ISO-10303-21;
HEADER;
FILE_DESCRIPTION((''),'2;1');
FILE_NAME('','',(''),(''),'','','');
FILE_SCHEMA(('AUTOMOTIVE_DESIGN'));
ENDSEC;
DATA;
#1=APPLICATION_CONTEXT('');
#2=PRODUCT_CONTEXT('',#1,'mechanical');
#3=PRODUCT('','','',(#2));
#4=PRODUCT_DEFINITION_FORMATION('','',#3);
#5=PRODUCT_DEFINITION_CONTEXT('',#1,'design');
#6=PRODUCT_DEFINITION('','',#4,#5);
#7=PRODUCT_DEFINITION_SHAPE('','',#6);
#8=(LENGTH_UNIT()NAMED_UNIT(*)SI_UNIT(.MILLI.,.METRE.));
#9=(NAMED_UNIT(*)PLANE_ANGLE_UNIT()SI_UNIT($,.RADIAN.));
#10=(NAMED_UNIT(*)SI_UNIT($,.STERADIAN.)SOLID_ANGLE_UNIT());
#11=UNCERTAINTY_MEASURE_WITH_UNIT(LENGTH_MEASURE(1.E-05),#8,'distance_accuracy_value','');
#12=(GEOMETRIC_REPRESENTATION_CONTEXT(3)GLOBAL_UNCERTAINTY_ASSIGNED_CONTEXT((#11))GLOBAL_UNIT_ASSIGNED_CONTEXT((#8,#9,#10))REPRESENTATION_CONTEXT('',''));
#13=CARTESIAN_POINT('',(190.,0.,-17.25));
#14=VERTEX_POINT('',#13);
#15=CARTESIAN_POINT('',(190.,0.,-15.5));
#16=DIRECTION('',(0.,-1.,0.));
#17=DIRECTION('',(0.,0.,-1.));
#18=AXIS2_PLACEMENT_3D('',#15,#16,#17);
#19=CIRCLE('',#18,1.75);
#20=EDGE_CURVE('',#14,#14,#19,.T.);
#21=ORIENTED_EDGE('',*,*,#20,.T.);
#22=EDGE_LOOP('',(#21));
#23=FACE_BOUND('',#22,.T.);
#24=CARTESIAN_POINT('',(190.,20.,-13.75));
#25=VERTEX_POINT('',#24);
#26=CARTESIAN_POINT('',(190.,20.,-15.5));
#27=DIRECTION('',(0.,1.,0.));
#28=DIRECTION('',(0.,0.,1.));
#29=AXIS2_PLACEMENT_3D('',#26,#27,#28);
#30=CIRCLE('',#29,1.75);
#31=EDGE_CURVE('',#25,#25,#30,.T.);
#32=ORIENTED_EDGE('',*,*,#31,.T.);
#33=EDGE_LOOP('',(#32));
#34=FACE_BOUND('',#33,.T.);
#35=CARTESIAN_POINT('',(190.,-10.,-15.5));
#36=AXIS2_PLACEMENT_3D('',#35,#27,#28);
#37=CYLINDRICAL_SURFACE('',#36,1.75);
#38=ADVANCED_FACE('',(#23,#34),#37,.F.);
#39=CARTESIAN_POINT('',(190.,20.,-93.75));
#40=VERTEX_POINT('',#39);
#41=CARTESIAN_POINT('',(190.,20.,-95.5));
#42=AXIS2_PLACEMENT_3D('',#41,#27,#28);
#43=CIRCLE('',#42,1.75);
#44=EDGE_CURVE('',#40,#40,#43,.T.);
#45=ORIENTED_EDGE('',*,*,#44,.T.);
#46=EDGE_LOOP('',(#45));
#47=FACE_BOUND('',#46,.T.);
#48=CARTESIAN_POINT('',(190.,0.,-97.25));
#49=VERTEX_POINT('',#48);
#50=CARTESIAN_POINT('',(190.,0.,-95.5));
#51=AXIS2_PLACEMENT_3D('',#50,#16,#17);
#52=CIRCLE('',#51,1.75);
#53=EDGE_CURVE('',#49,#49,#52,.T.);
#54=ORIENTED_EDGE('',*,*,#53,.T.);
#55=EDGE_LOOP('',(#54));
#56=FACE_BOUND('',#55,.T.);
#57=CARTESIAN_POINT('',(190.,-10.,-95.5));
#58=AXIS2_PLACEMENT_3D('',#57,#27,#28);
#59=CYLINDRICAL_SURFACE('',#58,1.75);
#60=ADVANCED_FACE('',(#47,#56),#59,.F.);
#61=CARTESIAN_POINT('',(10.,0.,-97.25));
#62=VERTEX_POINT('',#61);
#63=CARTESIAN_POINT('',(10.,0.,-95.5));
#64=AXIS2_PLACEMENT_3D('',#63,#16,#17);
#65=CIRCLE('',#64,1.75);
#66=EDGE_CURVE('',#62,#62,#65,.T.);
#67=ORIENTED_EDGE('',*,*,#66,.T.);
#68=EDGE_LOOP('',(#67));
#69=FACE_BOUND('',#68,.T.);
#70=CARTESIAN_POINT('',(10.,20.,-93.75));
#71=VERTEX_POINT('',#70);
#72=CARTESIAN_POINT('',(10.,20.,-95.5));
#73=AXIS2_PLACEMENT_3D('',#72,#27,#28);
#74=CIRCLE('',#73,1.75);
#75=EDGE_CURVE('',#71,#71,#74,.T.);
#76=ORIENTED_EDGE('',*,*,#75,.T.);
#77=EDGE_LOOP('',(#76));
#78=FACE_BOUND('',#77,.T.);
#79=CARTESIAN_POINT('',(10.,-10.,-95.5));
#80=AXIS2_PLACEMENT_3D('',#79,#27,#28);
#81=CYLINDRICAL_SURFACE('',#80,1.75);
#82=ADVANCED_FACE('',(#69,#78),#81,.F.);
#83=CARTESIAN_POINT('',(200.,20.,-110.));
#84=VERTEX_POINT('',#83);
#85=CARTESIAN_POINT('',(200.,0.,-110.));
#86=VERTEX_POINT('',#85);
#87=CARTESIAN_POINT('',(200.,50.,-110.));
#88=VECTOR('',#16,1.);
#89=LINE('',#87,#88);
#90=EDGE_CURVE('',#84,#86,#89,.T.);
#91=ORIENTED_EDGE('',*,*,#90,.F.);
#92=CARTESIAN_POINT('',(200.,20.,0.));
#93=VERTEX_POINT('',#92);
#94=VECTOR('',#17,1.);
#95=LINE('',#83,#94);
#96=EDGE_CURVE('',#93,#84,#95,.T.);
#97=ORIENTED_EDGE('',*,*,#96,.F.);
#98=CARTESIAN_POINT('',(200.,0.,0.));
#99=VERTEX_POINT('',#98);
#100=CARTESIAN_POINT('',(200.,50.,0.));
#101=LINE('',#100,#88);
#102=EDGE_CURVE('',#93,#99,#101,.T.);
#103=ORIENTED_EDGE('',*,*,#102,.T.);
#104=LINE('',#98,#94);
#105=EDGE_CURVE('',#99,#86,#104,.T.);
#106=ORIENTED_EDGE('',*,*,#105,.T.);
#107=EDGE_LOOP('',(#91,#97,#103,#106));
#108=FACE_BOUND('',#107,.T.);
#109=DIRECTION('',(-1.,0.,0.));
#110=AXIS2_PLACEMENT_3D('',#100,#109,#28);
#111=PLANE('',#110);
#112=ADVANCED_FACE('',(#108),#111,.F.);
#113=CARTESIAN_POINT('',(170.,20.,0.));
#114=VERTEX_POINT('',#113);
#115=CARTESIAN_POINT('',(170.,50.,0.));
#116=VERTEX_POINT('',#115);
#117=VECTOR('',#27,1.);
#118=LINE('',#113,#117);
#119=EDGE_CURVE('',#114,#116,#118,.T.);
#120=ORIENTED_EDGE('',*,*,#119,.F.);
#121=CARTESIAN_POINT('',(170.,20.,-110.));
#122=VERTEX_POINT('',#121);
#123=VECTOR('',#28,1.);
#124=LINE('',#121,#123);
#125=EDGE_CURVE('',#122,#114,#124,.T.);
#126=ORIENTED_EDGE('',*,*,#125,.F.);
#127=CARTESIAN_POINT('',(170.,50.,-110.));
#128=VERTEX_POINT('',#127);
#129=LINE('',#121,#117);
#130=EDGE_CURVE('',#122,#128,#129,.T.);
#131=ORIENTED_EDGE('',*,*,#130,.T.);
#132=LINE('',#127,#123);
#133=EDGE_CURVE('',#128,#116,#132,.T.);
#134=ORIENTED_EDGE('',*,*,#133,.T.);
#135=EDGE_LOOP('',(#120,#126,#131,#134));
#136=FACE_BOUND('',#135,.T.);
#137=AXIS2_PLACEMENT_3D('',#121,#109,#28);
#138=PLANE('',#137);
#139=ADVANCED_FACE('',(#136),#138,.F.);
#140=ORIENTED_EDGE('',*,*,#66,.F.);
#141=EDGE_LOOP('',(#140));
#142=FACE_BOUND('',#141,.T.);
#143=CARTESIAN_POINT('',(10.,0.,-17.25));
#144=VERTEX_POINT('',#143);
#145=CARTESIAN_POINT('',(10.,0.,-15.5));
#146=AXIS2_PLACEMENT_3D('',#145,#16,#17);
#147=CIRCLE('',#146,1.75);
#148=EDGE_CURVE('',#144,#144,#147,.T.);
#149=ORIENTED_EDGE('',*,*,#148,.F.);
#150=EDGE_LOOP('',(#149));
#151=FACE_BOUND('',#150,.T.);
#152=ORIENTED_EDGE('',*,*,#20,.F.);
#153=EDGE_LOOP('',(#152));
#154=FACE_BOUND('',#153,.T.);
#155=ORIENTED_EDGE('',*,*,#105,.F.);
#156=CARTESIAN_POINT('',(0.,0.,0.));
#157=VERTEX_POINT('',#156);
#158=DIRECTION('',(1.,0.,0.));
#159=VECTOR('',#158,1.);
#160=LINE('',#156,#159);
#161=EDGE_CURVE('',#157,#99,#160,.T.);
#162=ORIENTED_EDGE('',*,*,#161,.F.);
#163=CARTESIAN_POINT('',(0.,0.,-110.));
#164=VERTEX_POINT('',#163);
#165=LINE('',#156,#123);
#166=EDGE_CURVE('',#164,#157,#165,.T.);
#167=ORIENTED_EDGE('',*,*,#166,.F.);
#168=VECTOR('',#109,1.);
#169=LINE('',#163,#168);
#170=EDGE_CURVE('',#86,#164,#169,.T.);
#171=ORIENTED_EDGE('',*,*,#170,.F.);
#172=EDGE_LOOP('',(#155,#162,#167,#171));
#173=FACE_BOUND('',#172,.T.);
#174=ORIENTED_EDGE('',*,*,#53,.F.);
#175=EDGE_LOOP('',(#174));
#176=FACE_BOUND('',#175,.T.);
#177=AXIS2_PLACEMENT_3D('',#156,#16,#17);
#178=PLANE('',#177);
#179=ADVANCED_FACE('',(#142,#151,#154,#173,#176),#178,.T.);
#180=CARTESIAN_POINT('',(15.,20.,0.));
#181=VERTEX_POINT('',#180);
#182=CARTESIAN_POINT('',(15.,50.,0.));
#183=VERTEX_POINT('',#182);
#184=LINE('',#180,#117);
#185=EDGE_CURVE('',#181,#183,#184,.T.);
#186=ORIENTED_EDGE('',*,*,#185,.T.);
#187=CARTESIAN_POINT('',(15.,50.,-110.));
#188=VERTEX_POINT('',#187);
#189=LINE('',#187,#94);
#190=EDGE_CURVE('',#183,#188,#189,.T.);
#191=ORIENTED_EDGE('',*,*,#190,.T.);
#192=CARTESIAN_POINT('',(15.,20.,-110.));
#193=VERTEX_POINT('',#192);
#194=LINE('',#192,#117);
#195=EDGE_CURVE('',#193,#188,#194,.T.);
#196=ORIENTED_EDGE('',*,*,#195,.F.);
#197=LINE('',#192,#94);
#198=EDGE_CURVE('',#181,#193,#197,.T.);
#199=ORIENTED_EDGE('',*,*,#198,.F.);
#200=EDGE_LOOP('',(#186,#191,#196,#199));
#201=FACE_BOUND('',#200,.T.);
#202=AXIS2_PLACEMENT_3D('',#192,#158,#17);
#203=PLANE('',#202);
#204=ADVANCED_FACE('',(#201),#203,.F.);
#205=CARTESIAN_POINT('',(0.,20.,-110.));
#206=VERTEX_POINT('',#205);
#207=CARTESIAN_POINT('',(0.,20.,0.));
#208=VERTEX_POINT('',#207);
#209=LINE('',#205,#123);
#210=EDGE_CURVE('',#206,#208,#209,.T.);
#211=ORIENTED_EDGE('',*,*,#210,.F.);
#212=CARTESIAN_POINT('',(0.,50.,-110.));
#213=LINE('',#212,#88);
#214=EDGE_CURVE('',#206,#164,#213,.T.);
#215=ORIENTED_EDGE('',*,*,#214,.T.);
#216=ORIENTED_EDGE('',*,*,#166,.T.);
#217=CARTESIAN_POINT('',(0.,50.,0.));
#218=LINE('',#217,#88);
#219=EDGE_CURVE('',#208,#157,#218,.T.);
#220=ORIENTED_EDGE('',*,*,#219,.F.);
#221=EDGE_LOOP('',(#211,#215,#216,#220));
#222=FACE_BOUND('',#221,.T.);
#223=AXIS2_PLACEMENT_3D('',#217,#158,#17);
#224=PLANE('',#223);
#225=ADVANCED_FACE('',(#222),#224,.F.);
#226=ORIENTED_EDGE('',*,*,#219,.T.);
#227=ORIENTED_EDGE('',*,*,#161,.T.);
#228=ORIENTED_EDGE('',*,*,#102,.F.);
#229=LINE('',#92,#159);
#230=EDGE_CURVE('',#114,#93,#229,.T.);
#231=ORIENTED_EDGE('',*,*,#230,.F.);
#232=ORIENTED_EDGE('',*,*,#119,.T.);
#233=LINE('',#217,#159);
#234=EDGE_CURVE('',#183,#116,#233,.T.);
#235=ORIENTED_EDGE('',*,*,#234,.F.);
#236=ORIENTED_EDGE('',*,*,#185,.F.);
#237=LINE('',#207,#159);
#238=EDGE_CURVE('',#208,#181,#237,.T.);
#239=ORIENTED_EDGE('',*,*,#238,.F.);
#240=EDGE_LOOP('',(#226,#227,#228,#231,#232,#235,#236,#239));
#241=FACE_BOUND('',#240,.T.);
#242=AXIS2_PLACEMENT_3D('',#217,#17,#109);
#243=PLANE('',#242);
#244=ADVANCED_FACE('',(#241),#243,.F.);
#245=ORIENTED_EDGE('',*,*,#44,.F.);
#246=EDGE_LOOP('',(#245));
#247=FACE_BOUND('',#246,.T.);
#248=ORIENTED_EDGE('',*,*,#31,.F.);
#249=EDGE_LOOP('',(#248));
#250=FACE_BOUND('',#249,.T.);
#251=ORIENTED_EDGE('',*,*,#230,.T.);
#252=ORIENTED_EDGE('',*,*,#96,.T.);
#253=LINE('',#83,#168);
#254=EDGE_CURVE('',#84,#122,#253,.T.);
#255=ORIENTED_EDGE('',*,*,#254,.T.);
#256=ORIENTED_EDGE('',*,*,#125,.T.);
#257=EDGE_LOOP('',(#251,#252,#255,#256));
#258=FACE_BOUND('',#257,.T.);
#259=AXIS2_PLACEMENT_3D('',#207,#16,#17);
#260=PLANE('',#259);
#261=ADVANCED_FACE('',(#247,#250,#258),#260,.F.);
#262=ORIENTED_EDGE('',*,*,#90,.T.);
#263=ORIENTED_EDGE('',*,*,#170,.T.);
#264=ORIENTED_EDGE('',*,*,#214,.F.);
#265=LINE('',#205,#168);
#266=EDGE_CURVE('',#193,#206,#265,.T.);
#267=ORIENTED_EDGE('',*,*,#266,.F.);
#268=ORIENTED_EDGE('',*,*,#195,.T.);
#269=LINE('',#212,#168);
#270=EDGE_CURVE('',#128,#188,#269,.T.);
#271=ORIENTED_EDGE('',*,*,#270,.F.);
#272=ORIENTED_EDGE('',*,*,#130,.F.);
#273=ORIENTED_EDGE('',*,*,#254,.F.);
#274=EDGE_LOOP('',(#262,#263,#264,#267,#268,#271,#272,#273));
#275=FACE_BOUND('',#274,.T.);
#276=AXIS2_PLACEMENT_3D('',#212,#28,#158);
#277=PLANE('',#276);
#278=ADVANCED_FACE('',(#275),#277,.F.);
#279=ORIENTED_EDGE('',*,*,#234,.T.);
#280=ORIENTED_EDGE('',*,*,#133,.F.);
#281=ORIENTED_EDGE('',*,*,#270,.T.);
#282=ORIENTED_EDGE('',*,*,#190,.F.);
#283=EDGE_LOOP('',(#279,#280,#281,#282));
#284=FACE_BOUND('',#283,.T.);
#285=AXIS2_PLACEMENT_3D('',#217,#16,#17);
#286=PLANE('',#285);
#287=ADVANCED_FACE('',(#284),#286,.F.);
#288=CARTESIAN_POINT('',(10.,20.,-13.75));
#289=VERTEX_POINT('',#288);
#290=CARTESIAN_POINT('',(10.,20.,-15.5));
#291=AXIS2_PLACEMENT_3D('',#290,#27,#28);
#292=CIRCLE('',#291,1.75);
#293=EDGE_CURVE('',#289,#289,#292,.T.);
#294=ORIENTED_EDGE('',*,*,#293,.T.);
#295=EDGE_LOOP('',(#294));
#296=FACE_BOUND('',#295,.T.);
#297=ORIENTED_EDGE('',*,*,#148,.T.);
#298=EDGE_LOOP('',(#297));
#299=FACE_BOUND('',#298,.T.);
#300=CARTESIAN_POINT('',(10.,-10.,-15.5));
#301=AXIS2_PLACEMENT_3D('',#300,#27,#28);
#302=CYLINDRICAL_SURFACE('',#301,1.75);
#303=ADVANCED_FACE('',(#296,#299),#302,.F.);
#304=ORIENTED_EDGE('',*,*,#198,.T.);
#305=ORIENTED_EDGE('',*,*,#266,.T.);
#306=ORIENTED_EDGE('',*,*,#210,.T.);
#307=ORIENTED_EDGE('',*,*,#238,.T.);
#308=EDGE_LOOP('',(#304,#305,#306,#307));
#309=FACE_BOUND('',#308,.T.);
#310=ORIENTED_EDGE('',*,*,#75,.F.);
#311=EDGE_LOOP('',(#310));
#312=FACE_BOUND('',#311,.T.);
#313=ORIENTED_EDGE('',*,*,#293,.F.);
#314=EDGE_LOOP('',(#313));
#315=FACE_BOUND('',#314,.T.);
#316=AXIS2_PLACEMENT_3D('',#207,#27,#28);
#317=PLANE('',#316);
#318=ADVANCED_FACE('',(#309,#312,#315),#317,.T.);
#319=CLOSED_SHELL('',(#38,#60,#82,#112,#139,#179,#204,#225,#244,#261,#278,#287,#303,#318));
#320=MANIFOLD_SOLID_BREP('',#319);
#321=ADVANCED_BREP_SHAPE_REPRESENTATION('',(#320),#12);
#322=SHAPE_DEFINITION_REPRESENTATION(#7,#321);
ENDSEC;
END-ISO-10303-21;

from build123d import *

# Parameters (mm, degrees)
SKETCH1_W           = 200
SKETCH1_H           = 110
BOSS_EXTRUDE1_DEPTH = 50
SKETCH2_W           = 30
SKETCH2_H           = 110
SKETCH2_W_2         = 15
CUT_EXTRUDE1_DEPTH  = 30
SKETCH3_R           = 1.75
CUT_EXTRUDE2_DEPTH  = 30


with BuildPart() as part:
    # Sketch1 → Boss-Extrude1 (new body)
    with BuildSketch(Plane(origin=(0, 0, 0), x_dir=(1, 0, 0), z_dir=(0, 1, 0))):
        with Locations((100, 55)):
            Rectangle(SKETCH1_W, SKETCH1_H)
    extrude(amount=BOSS_EXTRUDE1_DEPTH)

    # Sketch2 → Cut-Extrude1 (cut)
    with BuildSketch(Plane(origin=(0, 50, 0), x_dir=(1, 0, 0), z_dir=(0, 1, 0))):
        with Locations((185, 55)):
            Rectangle(SKETCH2_W, SKETCH2_H)
        with Locations((7.5, 55)):
            Rectangle(SKETCH2_W_2, SKETCH2_H)
    extrude(amount=-CUT_EXTRUDE1_DEPTH, mode=Mode.SUBTRACT)

    # Sketch3 → Cut-Extrude2 (cut)
    with BuildSketch(Plane(origin=(0, 20, 0), x_dir=(1, 0, 0), z_dir=(0, 1, 0))):
        with Locations((190, 95.5)):
            Circle(SKETCH3_R)
        with Locations((190, 15.5)):
            Circle(SKETCH3_R)
        with Locations((10, 95.5)):
            Circle(SKETCH3_R)
        with Locations((10, 15.5)):
            Circle(SKETCH3_R)
    extrude(amount=-CUT_EXTRUDE2_DEPTH, mode=Mode.SUBTRACT)


solid = part.part
